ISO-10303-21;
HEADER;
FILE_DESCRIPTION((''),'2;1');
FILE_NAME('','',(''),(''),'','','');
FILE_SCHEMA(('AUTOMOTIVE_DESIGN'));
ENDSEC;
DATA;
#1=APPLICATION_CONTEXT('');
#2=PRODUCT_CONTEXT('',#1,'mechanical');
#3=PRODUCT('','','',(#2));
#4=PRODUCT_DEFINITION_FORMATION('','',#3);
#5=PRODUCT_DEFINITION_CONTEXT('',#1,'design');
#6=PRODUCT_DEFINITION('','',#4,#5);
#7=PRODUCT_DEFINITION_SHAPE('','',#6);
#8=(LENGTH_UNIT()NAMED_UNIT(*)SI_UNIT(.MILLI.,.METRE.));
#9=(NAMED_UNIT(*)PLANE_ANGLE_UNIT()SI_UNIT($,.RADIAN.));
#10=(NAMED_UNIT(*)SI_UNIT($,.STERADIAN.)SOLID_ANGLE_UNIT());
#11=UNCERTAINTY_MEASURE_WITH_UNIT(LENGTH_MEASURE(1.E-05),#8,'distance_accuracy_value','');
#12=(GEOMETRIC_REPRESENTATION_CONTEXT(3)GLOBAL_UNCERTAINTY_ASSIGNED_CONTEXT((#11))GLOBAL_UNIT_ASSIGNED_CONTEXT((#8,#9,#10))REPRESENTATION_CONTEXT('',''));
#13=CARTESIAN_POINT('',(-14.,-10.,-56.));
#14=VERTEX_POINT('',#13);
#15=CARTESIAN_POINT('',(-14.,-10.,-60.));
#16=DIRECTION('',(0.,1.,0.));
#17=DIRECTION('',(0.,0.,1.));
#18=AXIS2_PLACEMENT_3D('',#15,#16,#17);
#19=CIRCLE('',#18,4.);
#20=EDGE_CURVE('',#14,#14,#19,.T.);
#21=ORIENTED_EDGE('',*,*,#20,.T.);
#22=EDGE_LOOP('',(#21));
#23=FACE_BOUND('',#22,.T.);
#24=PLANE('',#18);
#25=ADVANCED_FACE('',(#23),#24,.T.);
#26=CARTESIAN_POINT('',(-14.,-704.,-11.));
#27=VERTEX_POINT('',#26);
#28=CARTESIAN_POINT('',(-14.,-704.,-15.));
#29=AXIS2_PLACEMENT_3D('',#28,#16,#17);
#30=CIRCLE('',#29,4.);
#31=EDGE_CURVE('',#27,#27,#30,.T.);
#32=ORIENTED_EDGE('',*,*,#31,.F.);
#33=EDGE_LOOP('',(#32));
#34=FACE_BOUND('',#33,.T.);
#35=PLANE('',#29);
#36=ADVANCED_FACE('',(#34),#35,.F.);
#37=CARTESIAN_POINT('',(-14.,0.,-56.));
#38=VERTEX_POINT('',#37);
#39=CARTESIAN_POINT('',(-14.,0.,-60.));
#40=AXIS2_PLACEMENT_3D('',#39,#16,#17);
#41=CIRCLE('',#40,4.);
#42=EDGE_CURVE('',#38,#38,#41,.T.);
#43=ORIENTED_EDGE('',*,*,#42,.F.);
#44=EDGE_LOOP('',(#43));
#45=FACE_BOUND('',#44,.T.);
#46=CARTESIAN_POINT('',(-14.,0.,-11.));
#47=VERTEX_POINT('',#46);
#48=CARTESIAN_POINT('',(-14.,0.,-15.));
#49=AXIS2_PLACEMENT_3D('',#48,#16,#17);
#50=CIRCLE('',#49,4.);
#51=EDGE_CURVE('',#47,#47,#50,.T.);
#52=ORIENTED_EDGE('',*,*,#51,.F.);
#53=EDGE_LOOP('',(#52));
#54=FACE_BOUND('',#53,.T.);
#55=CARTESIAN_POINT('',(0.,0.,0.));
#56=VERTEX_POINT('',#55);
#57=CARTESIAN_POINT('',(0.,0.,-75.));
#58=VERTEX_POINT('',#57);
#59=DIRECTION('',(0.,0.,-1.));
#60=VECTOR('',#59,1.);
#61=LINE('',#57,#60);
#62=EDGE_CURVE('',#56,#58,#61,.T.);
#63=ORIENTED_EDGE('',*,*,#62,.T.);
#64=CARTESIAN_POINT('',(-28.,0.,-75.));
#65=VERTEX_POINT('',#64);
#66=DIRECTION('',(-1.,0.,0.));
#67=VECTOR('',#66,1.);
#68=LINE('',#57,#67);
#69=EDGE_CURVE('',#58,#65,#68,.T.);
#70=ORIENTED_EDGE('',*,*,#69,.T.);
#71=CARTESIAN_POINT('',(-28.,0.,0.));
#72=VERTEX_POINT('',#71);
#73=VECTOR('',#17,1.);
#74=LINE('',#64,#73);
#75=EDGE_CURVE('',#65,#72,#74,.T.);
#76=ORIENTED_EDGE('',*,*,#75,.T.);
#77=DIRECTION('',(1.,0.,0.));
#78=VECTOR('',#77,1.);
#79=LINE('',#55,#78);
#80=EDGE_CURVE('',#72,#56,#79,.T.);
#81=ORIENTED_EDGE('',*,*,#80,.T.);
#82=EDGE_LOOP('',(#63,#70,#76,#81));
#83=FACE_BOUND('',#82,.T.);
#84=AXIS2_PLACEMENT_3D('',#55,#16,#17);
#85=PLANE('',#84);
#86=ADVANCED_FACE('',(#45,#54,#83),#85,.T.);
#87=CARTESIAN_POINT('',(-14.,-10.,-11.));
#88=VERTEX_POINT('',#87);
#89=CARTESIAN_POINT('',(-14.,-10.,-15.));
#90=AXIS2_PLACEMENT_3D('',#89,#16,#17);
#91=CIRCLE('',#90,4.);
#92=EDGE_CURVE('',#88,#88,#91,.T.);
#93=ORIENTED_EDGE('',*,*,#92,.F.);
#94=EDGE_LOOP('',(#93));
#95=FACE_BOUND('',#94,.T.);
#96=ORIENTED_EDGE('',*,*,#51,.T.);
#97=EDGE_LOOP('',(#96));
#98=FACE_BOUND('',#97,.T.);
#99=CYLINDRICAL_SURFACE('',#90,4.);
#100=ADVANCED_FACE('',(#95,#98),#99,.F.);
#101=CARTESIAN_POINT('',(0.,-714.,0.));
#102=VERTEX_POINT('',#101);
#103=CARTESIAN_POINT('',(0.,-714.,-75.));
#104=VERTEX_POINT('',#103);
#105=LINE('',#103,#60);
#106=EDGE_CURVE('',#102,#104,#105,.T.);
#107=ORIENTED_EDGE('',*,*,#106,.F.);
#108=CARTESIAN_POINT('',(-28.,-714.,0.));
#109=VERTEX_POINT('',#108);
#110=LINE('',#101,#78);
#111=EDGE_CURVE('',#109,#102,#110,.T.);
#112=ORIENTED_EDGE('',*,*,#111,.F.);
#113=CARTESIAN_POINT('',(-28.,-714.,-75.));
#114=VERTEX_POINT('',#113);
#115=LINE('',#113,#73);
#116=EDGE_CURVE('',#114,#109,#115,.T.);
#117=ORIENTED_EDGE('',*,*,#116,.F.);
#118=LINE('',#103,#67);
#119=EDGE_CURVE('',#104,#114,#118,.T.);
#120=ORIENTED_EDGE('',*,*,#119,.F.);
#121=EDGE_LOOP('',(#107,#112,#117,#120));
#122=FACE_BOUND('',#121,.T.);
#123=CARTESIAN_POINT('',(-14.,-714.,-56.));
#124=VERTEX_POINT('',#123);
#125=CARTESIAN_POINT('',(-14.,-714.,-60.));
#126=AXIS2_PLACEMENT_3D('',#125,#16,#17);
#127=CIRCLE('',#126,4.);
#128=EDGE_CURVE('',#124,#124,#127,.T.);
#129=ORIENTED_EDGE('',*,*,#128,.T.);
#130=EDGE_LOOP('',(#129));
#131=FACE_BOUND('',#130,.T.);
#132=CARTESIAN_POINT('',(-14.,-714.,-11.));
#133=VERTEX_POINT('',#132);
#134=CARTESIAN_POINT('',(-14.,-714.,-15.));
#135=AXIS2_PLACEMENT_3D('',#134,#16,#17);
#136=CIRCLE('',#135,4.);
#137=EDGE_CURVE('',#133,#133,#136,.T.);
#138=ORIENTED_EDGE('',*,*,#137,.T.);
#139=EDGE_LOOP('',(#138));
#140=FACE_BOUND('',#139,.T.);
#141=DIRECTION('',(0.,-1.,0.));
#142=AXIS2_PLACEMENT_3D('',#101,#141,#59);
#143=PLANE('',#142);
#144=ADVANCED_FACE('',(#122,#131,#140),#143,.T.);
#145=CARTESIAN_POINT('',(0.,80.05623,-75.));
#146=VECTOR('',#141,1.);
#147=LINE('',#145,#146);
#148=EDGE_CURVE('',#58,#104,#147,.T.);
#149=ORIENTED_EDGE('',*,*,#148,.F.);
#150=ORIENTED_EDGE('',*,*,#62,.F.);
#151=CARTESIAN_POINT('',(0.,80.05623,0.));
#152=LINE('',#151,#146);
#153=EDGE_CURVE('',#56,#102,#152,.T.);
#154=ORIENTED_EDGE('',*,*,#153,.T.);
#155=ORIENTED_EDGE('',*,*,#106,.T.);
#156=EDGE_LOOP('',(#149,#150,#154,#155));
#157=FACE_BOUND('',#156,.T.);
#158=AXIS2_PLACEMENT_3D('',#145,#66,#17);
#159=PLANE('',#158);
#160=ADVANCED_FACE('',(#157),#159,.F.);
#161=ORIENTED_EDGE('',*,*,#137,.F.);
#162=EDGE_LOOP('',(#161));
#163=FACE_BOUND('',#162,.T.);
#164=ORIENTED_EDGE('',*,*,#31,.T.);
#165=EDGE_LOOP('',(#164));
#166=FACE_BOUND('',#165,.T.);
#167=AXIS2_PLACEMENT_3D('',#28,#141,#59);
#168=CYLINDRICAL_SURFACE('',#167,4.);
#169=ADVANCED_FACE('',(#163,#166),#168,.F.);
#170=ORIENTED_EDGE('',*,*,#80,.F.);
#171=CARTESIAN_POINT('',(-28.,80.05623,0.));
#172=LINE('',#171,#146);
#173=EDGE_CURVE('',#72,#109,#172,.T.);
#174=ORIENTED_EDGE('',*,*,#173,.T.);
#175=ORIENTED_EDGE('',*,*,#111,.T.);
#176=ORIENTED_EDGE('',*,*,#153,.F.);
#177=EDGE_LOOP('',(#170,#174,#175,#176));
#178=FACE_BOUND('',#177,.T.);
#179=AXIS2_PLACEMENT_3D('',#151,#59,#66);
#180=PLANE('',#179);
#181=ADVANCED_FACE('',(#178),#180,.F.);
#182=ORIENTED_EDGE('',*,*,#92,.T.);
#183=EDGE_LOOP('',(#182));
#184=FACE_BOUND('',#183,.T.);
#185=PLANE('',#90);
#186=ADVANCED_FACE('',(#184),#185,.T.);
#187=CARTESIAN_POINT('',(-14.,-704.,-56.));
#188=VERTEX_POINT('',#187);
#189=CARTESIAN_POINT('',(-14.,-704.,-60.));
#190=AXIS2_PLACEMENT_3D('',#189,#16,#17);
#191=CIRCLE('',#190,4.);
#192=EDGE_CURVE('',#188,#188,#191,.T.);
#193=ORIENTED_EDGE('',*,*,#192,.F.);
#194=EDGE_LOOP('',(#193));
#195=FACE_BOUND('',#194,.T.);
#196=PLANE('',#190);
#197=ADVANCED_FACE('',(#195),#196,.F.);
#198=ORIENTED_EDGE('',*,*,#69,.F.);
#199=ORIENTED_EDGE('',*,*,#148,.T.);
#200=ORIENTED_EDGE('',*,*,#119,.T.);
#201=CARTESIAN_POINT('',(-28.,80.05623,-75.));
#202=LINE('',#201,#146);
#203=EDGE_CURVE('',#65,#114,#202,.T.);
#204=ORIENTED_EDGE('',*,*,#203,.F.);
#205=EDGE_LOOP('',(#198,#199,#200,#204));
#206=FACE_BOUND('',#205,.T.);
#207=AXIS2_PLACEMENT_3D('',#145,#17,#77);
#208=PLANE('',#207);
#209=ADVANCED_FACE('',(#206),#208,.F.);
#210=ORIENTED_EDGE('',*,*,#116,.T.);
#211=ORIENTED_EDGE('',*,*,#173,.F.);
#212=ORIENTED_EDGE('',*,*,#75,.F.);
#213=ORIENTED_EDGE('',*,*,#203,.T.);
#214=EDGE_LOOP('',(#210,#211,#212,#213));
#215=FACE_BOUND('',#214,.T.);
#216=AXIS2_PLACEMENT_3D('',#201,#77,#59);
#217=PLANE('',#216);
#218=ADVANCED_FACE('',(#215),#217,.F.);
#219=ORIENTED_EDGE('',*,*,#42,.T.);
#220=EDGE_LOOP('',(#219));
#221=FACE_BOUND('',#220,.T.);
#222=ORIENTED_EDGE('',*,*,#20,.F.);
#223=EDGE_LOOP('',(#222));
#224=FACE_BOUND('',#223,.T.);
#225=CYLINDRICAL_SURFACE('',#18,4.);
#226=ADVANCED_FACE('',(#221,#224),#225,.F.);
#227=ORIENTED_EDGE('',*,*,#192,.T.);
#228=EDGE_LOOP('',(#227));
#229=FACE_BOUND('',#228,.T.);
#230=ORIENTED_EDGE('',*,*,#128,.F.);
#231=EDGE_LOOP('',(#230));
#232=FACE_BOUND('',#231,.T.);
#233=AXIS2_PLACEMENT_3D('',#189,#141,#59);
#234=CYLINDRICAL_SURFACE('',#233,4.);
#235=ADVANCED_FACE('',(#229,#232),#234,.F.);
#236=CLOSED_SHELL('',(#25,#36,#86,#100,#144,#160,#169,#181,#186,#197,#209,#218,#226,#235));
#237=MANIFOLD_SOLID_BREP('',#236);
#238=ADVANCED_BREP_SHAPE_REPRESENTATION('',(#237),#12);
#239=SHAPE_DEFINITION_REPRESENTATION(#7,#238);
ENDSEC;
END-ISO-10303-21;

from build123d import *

# Parameters (mm, degrees)
SKETCH1_W           = 28
SKETCH1_H           = 75
LEFT_HAND_END_DEPTH = 714
SKETCH2_R           = 4
EXTRUDE1_DEPTH      = 10
EXTRUDE2_START      = 10
SKETCH3_R           = 4
EXTRUDE2_DEPTH      = 10


with BuildPart() as part:
    # Sketch1 → Left Hand End (new body)
    with BuildSketch(Plane(origin=(0, -714, 0), x_dir=(-1, 0, 0), z_dir=(0, 1, 0))):
        with Locations((14, -37.5)):
            Rectangle(SKETCH1_W, SKETCH1_H)
    extrude(amount=LEFT_HAND_END_DEPTH)

    # Sketch2 → Extrude1 (cut)
    with BuildSketch(Plane(origin=(0, 0, 0), x_dir=(1, 0, 0), z_dir=(0, 1, 0))):
        with Locations(Location((-14, 15, 0), (0, 0, 270))):
            Circle(SKETCH2_R)
        with Locations(Location((-14, 60, 0), (0, 0, 270))):
            Circle(SKETCH2_R)
    extrude(amount=-EXTRUDE1_DEPTH, mode=Mode.SUBTRACT)

    # Sketch3 → Extrude2 (cut)
    with BuildSketch(Plane(origin=(0, -714, 0), x_dir=(-1, 0, 0), z_dir=(0, 1, 0)).offset(EXTRUDE2_START)):
        with Locations(Location((14, -60, 0), (0, 0, 90))):
            Circle(SKETCH3_R)
        with Locations(Location((14, -15, 0), (0, 0, 90))):
            Circle(SKETCH3_R)
    extrude(amount=-EXTRUDE2_DEPTH, mode=Mode.SUBTRACT)


solid = part.part
